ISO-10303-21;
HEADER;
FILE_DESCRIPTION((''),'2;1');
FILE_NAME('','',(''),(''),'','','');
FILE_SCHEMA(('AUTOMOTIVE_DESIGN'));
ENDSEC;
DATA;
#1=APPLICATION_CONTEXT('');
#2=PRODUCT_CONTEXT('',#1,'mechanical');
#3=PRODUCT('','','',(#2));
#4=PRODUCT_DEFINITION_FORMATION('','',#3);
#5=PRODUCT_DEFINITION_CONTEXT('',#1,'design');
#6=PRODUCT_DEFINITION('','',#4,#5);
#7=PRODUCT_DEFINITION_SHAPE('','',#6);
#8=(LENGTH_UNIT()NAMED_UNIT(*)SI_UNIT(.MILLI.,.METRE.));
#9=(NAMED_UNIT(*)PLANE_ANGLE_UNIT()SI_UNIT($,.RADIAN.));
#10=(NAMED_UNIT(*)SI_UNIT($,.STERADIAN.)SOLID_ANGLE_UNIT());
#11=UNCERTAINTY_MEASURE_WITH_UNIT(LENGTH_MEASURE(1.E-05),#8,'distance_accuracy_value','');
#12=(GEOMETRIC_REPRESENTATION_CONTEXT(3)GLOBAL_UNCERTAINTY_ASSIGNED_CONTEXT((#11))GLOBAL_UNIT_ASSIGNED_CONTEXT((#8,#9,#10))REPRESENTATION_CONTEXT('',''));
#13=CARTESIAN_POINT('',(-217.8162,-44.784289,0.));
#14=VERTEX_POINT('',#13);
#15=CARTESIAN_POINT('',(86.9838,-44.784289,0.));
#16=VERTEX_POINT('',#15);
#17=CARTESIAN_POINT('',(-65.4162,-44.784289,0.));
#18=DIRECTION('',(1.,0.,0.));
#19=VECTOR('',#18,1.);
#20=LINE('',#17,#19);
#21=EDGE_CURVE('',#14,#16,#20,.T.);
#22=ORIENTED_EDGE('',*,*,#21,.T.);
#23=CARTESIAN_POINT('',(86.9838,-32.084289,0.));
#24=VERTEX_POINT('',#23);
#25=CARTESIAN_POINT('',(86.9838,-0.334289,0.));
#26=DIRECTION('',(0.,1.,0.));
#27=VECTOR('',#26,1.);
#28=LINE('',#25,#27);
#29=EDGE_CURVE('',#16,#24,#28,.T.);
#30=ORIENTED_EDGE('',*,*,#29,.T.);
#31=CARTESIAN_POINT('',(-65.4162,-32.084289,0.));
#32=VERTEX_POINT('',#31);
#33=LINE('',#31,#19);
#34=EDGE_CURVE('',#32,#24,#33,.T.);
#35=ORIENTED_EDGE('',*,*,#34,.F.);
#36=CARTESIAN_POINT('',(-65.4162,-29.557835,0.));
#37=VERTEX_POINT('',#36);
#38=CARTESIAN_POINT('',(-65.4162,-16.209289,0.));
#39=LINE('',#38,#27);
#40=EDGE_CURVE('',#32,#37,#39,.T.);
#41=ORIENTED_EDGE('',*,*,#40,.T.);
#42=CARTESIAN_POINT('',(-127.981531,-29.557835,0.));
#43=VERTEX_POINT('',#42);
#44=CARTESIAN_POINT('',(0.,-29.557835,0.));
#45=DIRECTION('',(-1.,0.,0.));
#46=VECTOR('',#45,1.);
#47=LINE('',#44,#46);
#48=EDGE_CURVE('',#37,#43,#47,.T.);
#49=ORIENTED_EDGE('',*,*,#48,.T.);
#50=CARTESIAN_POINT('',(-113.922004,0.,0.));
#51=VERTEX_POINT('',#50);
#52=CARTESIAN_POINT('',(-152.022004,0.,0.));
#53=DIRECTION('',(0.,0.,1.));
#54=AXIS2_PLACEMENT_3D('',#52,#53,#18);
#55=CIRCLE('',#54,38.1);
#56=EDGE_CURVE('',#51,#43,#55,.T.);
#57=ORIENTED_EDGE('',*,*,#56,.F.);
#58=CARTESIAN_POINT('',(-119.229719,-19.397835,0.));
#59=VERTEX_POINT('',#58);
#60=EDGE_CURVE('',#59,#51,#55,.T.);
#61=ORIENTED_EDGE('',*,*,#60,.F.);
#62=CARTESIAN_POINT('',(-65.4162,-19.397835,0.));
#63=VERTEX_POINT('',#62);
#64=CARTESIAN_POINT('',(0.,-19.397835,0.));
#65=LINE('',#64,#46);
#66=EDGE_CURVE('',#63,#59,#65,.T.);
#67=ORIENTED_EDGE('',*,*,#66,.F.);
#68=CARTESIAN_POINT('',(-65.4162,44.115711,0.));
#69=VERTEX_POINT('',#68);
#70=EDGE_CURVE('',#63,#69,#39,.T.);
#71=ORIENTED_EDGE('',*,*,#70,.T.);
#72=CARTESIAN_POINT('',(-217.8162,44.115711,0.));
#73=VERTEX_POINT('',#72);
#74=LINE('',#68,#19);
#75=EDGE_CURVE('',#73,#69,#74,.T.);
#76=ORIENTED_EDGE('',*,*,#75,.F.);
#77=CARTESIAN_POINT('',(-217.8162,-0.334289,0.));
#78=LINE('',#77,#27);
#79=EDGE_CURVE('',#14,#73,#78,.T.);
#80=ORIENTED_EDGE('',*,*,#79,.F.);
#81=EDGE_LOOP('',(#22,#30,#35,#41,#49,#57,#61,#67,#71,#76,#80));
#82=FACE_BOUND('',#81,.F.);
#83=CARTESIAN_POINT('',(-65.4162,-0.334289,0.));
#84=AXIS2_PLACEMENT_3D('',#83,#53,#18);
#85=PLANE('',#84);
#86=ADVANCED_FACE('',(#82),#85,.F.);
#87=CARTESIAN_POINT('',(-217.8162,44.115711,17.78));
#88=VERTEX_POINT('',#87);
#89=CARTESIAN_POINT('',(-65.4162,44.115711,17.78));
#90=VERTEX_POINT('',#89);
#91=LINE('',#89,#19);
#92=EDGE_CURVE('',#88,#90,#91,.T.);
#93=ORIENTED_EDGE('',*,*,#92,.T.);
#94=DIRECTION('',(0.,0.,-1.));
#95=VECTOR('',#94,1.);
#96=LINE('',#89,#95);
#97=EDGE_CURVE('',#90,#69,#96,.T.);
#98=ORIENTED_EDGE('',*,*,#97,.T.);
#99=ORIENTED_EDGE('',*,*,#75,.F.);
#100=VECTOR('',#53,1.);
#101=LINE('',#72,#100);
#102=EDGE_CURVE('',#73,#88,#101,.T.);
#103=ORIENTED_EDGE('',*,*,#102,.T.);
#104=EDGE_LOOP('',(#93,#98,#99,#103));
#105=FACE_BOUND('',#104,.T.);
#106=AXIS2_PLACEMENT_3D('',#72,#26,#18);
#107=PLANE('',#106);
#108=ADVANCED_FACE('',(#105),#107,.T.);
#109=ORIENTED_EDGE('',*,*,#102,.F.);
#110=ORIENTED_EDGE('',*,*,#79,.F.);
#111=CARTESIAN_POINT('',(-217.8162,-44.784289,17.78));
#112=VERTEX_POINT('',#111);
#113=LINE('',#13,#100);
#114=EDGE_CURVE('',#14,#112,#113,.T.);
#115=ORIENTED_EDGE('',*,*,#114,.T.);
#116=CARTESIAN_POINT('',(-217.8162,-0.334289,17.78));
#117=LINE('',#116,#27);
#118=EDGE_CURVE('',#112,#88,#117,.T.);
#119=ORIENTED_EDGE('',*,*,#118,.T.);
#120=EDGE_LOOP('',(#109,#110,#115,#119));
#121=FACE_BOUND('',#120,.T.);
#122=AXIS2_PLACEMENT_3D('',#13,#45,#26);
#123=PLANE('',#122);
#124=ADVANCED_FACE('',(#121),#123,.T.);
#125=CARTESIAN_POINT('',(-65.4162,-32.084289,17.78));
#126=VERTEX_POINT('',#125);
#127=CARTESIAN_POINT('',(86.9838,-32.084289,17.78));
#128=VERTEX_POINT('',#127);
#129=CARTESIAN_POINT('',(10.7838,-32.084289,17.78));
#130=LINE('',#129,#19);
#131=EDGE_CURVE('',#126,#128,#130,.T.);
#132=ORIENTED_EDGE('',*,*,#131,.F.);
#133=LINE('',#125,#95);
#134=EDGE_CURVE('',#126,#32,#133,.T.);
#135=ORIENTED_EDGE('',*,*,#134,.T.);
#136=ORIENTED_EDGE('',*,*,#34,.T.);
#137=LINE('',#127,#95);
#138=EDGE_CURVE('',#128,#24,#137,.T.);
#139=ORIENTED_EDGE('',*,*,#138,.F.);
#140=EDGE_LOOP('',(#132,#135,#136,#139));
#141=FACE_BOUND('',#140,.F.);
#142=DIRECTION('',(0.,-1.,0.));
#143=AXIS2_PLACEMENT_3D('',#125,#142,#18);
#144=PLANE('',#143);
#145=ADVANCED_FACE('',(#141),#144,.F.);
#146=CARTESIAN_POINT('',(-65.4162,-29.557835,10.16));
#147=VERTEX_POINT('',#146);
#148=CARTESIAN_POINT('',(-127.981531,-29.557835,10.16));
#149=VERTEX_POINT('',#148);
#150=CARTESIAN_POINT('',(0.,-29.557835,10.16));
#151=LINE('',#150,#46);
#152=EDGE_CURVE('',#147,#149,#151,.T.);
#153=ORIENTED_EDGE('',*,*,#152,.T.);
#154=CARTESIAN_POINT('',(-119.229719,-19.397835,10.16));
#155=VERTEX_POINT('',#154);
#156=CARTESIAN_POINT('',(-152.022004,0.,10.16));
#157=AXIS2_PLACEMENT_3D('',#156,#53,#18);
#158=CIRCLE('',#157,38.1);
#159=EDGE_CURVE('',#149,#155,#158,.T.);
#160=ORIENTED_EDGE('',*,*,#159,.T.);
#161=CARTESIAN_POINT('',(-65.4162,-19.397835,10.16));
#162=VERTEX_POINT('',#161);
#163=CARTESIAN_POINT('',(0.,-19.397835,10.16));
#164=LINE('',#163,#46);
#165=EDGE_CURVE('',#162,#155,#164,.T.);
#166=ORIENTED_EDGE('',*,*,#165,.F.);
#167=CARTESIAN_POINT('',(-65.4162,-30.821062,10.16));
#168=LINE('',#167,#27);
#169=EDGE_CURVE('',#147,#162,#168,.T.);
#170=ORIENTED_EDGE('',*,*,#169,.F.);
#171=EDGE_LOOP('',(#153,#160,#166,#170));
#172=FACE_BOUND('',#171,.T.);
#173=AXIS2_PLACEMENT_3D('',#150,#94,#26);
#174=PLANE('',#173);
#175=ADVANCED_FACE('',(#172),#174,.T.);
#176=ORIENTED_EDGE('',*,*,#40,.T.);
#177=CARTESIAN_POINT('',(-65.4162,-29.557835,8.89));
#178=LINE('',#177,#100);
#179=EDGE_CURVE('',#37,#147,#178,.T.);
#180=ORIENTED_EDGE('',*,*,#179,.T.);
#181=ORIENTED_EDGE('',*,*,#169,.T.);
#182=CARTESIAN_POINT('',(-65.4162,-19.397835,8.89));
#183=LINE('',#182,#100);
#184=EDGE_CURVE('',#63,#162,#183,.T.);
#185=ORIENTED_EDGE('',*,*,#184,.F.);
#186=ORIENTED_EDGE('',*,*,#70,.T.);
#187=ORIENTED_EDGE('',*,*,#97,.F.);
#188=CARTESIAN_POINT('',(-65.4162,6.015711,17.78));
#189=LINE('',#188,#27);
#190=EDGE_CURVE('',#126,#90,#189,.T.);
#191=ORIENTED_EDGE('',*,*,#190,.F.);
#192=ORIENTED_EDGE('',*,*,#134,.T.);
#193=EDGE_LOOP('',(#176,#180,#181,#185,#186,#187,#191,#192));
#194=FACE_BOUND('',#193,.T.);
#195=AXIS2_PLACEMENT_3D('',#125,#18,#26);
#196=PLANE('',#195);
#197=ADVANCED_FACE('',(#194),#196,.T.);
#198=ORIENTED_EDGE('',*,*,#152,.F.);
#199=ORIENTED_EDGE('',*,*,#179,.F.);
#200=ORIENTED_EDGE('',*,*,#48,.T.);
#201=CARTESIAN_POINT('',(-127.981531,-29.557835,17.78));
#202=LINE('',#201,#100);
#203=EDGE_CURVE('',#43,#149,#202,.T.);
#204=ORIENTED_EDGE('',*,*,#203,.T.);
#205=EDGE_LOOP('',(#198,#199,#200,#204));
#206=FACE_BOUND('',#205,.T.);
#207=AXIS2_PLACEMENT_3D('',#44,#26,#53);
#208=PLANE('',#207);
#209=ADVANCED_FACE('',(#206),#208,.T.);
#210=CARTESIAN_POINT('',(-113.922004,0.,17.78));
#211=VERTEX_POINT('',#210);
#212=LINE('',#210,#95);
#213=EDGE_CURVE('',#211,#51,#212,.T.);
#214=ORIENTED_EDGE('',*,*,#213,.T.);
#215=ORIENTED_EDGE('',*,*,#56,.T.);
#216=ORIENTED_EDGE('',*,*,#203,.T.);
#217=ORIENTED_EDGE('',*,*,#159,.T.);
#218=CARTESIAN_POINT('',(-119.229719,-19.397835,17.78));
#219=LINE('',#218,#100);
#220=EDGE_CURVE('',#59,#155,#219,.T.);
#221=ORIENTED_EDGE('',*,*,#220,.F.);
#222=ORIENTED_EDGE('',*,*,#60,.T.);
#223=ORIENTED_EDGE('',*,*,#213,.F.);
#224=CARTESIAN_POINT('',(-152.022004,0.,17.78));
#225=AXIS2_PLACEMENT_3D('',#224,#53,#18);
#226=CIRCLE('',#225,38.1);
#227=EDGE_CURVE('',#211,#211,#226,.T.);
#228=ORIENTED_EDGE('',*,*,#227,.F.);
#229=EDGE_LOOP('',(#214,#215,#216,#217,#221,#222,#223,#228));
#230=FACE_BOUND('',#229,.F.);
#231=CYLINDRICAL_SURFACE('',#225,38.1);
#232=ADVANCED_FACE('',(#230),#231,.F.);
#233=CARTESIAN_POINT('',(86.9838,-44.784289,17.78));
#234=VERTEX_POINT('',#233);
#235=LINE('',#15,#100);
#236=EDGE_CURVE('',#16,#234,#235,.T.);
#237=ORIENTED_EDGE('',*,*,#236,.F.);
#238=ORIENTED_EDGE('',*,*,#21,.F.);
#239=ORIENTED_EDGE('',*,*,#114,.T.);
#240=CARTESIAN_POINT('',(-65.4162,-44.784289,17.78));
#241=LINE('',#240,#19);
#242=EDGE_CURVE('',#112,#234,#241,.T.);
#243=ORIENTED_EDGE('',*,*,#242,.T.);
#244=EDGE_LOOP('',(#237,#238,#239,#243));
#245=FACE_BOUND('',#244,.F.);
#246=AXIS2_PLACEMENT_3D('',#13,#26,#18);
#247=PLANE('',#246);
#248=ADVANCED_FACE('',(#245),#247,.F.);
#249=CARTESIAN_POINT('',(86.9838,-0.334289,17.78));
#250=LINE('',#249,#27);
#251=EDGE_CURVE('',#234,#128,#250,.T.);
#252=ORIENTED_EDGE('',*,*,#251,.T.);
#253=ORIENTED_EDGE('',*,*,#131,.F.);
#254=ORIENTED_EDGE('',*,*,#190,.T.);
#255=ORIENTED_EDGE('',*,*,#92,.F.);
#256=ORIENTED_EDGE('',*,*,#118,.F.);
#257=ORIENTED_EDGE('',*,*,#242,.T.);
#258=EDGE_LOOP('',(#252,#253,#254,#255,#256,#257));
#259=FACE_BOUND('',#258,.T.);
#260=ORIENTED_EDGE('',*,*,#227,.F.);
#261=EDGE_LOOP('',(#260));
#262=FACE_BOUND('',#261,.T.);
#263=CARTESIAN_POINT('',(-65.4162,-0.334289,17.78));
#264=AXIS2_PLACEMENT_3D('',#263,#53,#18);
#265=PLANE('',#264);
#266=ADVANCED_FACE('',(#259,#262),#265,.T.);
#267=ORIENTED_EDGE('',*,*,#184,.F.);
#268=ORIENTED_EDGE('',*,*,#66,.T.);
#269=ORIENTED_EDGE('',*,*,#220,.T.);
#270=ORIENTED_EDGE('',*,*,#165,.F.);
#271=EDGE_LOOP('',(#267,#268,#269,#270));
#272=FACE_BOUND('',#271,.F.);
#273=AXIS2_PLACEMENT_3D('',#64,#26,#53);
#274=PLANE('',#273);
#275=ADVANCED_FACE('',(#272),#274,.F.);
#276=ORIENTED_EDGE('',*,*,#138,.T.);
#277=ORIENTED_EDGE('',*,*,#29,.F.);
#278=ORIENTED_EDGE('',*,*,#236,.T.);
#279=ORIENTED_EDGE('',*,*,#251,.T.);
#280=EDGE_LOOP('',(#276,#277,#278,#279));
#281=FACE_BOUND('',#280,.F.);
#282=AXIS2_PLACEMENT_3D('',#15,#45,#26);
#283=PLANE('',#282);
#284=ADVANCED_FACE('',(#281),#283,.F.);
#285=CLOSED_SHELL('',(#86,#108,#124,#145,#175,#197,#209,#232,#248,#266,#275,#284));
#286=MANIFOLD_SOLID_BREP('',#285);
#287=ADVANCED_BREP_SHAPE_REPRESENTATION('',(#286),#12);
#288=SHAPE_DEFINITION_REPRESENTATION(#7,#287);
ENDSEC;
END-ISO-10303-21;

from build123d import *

# Parameters (mm, degrees)
F0_W     = 304.8
F0_H     = 88.9
F1_DEPTH = 17.78
F2_W     = 152.4
F2_H     = 76.2
F3_DEPTH = 25.4
F4_R     = 38.1
F5_DEPTH = 25.4
F6_W     = 10.16
F6_H     = 10.16
F7_DEPTH = 128.9815305102


with BuildPart() as f1:
    # F0 (on Top) → F1 (new body)
    with BuildSketch(Plane.XY):
        with Locations((-65.4162000656, -0.3342888534)):
            Rectangle(F0_W, F0_H)
    extrude(amount=F1_DEPTH)

    # F2 (on face) → F3 (cut)
    with BuildSketch(Plane.XY.offset(17.78)):
        with Locations((10.7837999344, 6.0157111466)):
            Rectangle(F2_W, F2_H)
    extrude(amount=-F3_DEPTH, mode=Mode.SUBTRACT)

    # F4 (on face) → F5 (cut)
    with BuildSketch(Plane.XY.offset(17.78)):
        with Locations((-152.0220041275, 0)):
            Circle(F4_R)
    extrude(amount=-F5_DEPTH, mode=Mode.SUBTRACT)

    # F6 (on Right) → F7 (cut, up to face)
    with BuildSketch(Plane.YZ):
        with Locations((-24.4778353107, 5.08)):
            Rectangle(F6_W, F6_H)
    extrude(amount=-F7_DEPTH, mode=Mode.SUBTRACT)


solid = f1.part
